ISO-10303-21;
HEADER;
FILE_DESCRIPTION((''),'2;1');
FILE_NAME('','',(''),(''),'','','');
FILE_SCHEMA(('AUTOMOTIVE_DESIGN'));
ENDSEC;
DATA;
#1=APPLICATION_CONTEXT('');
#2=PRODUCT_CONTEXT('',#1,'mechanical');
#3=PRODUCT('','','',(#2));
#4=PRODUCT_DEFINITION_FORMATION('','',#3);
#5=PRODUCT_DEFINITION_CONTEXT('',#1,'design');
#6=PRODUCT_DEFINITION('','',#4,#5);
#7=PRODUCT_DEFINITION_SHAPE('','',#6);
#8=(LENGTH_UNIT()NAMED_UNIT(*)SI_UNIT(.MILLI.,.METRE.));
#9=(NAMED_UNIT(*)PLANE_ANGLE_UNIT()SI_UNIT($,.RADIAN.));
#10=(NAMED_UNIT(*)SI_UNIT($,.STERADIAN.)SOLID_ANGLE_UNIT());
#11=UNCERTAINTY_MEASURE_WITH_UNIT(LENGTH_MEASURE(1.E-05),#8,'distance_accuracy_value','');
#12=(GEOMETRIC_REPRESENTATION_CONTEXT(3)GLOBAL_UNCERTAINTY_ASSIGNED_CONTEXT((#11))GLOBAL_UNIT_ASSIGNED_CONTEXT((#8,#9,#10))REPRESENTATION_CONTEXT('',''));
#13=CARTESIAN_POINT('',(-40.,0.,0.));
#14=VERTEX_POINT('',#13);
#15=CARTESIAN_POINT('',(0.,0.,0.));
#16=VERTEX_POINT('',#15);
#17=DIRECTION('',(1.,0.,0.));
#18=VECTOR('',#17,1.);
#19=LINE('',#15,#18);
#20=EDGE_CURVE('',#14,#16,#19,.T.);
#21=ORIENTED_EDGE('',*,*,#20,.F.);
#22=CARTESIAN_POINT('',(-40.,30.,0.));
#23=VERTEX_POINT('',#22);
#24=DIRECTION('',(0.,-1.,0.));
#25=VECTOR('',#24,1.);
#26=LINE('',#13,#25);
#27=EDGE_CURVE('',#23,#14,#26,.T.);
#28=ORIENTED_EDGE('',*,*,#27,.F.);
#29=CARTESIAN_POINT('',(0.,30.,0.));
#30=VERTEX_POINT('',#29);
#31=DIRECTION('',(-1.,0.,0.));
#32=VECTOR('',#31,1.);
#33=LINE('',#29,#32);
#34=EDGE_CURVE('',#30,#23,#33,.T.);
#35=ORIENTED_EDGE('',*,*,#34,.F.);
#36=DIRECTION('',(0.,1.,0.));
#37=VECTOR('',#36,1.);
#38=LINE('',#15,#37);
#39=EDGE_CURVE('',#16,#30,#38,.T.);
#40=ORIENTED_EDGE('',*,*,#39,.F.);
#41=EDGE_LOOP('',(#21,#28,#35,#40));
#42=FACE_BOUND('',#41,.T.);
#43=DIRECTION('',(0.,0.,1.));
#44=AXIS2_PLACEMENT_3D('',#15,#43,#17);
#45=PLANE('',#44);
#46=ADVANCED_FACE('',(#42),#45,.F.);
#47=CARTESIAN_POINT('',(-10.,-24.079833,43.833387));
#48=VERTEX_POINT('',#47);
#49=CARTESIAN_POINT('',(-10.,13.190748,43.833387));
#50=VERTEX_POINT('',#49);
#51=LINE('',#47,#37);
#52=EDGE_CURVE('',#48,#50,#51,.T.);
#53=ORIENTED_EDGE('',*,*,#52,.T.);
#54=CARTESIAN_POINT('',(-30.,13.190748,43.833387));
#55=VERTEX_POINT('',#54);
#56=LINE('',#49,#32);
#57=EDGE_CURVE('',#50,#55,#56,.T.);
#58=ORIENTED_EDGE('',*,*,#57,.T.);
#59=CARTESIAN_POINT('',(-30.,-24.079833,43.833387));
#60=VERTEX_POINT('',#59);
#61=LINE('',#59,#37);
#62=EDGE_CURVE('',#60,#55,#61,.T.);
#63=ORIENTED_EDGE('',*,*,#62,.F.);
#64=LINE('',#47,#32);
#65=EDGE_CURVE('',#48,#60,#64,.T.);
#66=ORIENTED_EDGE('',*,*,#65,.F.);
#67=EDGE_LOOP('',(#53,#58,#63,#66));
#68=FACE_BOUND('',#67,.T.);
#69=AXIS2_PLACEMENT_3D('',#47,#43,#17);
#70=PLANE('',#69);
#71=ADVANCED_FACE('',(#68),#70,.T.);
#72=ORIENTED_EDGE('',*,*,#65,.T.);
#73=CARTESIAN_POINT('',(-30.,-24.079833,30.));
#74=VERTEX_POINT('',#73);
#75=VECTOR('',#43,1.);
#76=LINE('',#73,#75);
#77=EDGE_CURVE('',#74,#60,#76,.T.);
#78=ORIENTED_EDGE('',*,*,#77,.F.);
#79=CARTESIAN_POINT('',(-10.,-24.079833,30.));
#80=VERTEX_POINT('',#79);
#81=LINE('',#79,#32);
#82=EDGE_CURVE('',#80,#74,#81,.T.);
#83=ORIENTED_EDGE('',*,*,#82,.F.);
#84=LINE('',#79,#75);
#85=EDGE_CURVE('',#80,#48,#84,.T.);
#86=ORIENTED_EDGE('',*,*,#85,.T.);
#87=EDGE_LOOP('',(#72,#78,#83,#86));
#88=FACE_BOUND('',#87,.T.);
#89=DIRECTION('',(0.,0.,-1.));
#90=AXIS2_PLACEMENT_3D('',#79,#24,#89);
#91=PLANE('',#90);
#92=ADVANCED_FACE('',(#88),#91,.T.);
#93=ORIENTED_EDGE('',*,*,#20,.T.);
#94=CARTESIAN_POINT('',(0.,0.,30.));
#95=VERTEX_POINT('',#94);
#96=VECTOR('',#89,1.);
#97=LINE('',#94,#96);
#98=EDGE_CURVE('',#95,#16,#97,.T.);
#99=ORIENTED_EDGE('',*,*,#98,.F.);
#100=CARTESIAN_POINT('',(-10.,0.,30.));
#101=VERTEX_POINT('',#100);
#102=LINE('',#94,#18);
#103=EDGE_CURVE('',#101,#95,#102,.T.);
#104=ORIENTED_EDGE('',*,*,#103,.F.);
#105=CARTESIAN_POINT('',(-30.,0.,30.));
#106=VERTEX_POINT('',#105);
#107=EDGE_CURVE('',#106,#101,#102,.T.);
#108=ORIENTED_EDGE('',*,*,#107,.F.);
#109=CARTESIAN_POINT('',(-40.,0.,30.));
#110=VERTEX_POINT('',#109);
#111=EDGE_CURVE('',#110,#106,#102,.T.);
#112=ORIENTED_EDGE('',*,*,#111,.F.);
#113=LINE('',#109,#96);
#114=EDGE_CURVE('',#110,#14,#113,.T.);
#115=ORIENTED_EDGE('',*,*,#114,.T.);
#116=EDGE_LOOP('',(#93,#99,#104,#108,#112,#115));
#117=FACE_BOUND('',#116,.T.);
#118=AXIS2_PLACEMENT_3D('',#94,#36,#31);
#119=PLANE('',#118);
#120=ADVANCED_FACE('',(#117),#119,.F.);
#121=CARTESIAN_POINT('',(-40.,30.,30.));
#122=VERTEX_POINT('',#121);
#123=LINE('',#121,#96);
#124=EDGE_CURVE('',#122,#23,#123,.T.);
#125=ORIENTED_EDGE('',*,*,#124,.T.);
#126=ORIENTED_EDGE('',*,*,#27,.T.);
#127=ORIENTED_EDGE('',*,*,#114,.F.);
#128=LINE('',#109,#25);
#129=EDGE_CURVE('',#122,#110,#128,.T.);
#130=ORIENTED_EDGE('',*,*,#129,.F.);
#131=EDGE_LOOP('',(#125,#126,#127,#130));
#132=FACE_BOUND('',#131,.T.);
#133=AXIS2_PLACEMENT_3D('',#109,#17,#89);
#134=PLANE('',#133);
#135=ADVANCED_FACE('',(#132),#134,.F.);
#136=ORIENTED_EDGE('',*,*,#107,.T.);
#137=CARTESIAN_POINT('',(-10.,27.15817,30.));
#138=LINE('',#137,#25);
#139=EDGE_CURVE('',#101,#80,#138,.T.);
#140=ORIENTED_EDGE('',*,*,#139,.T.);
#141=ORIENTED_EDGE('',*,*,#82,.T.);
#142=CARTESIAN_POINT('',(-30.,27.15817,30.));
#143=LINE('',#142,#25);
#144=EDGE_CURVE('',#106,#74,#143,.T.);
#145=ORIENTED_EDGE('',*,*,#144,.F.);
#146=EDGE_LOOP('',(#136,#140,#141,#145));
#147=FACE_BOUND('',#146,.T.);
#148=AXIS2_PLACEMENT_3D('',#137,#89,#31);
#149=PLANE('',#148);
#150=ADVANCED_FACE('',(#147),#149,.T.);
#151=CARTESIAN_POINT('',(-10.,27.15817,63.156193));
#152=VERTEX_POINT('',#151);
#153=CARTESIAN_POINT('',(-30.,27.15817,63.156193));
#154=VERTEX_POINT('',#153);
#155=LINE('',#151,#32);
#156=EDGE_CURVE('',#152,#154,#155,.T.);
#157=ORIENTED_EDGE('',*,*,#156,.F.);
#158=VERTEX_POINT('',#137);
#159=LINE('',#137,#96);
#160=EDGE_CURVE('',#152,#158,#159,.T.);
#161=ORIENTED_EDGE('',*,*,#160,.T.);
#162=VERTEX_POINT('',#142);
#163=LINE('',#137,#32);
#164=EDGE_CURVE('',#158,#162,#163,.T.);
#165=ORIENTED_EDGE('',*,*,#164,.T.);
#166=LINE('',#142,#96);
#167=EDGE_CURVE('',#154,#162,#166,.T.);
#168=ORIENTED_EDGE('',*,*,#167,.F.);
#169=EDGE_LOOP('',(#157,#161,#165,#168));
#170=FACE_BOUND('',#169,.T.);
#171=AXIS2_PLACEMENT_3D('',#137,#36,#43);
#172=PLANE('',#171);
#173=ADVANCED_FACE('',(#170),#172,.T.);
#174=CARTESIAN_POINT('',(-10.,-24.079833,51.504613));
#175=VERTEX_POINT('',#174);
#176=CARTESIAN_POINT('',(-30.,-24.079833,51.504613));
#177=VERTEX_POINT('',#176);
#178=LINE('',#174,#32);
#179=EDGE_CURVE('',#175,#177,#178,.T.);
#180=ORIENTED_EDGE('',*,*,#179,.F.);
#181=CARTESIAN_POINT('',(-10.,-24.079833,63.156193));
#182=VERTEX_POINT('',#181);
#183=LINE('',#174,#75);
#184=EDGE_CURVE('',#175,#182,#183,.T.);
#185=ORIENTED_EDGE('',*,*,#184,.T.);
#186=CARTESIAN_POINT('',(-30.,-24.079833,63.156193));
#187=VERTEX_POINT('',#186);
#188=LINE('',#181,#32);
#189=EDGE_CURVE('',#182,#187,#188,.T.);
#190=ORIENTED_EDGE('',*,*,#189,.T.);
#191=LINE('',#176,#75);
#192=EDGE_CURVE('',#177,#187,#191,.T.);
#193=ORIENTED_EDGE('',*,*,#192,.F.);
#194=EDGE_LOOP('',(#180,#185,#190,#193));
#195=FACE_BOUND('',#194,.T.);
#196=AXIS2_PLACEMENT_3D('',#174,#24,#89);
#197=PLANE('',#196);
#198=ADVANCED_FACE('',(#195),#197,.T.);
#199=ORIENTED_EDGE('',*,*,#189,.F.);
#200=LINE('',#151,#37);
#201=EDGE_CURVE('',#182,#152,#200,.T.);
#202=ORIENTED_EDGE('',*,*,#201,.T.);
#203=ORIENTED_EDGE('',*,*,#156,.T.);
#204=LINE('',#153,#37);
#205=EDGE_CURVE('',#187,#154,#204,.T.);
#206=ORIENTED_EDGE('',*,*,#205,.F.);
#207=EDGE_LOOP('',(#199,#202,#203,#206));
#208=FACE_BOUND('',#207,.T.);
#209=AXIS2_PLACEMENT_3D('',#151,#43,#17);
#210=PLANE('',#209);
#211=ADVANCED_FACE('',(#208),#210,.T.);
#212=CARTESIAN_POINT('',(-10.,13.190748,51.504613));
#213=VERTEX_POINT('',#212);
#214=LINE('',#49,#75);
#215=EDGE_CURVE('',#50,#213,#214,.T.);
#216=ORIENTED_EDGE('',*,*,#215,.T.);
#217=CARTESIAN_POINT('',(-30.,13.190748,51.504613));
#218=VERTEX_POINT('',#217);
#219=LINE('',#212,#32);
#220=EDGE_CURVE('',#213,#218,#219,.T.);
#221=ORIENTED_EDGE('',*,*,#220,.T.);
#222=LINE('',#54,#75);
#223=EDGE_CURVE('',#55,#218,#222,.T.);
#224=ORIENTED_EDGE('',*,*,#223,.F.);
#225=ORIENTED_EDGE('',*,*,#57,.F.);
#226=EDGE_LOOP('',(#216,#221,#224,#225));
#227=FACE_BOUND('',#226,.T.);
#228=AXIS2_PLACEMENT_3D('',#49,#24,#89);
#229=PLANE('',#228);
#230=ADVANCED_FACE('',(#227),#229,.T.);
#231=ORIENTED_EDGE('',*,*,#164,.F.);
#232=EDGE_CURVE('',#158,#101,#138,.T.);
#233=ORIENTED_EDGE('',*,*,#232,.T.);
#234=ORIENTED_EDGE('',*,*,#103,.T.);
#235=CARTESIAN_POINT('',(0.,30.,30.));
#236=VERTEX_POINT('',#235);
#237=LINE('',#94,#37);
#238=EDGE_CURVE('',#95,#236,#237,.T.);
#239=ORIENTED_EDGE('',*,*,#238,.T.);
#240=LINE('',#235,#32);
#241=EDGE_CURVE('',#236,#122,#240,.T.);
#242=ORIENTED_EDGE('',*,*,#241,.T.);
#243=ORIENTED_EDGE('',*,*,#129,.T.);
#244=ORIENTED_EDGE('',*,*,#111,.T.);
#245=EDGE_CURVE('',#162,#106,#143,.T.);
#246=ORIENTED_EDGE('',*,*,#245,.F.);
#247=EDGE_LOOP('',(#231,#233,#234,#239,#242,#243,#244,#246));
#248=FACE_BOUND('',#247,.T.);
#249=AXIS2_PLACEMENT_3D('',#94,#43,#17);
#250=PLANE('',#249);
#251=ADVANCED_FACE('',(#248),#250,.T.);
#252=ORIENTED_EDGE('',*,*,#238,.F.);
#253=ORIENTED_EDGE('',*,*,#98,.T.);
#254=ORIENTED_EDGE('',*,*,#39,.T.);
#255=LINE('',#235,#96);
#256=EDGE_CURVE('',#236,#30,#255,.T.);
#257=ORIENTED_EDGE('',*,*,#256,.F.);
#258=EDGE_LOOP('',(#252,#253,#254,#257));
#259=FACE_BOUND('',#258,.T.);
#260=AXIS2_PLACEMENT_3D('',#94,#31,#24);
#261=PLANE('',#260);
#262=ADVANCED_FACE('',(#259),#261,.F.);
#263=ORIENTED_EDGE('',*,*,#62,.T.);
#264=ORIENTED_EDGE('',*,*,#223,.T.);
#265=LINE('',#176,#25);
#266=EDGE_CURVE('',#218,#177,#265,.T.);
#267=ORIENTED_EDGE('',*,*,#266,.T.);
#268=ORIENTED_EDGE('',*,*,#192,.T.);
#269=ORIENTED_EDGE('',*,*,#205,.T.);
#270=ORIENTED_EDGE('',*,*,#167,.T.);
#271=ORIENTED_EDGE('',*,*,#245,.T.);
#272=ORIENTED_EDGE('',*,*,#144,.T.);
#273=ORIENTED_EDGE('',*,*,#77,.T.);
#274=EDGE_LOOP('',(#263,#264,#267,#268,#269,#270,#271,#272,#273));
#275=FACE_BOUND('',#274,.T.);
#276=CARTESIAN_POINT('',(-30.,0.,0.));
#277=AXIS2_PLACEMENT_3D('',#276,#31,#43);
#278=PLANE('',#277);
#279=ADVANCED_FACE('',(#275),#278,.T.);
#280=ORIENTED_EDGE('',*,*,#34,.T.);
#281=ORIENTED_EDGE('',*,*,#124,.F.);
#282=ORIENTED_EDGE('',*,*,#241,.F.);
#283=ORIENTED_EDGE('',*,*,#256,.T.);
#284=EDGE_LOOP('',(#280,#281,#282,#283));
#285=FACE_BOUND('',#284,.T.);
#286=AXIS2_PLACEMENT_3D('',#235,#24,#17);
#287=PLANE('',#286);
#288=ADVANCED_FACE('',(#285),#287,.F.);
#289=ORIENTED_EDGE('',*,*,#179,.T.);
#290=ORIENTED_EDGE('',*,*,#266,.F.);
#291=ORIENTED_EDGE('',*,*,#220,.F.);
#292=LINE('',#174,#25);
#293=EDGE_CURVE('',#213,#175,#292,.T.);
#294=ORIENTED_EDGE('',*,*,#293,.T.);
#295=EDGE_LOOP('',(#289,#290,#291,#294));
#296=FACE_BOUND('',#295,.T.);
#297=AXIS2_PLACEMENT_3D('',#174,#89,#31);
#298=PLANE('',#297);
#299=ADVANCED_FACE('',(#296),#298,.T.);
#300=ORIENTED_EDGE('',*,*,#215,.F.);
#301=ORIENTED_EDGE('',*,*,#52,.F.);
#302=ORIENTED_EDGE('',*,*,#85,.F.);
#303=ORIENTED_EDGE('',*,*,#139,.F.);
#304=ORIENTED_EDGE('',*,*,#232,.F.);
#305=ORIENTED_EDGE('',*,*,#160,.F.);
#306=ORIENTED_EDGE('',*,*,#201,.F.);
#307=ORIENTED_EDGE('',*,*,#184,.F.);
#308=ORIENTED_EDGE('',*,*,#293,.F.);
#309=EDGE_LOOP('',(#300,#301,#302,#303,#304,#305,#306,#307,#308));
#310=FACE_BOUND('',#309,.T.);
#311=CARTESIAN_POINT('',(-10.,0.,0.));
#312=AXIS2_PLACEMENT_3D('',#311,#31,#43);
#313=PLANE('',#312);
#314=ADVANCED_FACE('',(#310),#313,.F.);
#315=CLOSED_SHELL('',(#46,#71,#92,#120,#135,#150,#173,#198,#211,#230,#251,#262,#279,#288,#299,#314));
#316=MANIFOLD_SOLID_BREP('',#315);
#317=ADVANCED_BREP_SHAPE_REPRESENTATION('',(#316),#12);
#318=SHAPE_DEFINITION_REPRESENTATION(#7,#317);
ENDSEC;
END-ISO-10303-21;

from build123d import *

# Parameters (mm, degrees)
ESQUISSE1_W        = 40
ESQUISSE1_H        = 30
BOSS_EXTRU_1_DEPTH = 30
BOSS_EXTRU_2_START = -10
BOSS_EXTRU_2_DEPTH = 20


with BuildPart() as part:
    # Esquisse1 → Boss.-Extru.1 (new body)
    with BuildSketch(Plane.XY):
        with Locations((-20, 15)):
            Rectangle(ESQUISSE1_W, ESQUISSE1_H)
    extrude(amount=BOSS_EXTRU_1_DEPTH)

    # Esquisse2 → Boss.-Extru.2 (add)
    with BuildSketch(Plane.ZY.offset(40).offset(BOSS_EXTRU_2_START)):
        Polygon((30, 27.158170339), (63.156193336, 27.158170339), (63.156193336, -24.079833233), (51.504613428, -24.079833233), (51.504613428, 13.190748461), (43.833386904, 13.190748461), (43.833386904, -24.079833233), (30, -24.079833233), align=None)
    extrude(amount=-BOSS_EXTRU_2_DEPTH)


solid = part.part
